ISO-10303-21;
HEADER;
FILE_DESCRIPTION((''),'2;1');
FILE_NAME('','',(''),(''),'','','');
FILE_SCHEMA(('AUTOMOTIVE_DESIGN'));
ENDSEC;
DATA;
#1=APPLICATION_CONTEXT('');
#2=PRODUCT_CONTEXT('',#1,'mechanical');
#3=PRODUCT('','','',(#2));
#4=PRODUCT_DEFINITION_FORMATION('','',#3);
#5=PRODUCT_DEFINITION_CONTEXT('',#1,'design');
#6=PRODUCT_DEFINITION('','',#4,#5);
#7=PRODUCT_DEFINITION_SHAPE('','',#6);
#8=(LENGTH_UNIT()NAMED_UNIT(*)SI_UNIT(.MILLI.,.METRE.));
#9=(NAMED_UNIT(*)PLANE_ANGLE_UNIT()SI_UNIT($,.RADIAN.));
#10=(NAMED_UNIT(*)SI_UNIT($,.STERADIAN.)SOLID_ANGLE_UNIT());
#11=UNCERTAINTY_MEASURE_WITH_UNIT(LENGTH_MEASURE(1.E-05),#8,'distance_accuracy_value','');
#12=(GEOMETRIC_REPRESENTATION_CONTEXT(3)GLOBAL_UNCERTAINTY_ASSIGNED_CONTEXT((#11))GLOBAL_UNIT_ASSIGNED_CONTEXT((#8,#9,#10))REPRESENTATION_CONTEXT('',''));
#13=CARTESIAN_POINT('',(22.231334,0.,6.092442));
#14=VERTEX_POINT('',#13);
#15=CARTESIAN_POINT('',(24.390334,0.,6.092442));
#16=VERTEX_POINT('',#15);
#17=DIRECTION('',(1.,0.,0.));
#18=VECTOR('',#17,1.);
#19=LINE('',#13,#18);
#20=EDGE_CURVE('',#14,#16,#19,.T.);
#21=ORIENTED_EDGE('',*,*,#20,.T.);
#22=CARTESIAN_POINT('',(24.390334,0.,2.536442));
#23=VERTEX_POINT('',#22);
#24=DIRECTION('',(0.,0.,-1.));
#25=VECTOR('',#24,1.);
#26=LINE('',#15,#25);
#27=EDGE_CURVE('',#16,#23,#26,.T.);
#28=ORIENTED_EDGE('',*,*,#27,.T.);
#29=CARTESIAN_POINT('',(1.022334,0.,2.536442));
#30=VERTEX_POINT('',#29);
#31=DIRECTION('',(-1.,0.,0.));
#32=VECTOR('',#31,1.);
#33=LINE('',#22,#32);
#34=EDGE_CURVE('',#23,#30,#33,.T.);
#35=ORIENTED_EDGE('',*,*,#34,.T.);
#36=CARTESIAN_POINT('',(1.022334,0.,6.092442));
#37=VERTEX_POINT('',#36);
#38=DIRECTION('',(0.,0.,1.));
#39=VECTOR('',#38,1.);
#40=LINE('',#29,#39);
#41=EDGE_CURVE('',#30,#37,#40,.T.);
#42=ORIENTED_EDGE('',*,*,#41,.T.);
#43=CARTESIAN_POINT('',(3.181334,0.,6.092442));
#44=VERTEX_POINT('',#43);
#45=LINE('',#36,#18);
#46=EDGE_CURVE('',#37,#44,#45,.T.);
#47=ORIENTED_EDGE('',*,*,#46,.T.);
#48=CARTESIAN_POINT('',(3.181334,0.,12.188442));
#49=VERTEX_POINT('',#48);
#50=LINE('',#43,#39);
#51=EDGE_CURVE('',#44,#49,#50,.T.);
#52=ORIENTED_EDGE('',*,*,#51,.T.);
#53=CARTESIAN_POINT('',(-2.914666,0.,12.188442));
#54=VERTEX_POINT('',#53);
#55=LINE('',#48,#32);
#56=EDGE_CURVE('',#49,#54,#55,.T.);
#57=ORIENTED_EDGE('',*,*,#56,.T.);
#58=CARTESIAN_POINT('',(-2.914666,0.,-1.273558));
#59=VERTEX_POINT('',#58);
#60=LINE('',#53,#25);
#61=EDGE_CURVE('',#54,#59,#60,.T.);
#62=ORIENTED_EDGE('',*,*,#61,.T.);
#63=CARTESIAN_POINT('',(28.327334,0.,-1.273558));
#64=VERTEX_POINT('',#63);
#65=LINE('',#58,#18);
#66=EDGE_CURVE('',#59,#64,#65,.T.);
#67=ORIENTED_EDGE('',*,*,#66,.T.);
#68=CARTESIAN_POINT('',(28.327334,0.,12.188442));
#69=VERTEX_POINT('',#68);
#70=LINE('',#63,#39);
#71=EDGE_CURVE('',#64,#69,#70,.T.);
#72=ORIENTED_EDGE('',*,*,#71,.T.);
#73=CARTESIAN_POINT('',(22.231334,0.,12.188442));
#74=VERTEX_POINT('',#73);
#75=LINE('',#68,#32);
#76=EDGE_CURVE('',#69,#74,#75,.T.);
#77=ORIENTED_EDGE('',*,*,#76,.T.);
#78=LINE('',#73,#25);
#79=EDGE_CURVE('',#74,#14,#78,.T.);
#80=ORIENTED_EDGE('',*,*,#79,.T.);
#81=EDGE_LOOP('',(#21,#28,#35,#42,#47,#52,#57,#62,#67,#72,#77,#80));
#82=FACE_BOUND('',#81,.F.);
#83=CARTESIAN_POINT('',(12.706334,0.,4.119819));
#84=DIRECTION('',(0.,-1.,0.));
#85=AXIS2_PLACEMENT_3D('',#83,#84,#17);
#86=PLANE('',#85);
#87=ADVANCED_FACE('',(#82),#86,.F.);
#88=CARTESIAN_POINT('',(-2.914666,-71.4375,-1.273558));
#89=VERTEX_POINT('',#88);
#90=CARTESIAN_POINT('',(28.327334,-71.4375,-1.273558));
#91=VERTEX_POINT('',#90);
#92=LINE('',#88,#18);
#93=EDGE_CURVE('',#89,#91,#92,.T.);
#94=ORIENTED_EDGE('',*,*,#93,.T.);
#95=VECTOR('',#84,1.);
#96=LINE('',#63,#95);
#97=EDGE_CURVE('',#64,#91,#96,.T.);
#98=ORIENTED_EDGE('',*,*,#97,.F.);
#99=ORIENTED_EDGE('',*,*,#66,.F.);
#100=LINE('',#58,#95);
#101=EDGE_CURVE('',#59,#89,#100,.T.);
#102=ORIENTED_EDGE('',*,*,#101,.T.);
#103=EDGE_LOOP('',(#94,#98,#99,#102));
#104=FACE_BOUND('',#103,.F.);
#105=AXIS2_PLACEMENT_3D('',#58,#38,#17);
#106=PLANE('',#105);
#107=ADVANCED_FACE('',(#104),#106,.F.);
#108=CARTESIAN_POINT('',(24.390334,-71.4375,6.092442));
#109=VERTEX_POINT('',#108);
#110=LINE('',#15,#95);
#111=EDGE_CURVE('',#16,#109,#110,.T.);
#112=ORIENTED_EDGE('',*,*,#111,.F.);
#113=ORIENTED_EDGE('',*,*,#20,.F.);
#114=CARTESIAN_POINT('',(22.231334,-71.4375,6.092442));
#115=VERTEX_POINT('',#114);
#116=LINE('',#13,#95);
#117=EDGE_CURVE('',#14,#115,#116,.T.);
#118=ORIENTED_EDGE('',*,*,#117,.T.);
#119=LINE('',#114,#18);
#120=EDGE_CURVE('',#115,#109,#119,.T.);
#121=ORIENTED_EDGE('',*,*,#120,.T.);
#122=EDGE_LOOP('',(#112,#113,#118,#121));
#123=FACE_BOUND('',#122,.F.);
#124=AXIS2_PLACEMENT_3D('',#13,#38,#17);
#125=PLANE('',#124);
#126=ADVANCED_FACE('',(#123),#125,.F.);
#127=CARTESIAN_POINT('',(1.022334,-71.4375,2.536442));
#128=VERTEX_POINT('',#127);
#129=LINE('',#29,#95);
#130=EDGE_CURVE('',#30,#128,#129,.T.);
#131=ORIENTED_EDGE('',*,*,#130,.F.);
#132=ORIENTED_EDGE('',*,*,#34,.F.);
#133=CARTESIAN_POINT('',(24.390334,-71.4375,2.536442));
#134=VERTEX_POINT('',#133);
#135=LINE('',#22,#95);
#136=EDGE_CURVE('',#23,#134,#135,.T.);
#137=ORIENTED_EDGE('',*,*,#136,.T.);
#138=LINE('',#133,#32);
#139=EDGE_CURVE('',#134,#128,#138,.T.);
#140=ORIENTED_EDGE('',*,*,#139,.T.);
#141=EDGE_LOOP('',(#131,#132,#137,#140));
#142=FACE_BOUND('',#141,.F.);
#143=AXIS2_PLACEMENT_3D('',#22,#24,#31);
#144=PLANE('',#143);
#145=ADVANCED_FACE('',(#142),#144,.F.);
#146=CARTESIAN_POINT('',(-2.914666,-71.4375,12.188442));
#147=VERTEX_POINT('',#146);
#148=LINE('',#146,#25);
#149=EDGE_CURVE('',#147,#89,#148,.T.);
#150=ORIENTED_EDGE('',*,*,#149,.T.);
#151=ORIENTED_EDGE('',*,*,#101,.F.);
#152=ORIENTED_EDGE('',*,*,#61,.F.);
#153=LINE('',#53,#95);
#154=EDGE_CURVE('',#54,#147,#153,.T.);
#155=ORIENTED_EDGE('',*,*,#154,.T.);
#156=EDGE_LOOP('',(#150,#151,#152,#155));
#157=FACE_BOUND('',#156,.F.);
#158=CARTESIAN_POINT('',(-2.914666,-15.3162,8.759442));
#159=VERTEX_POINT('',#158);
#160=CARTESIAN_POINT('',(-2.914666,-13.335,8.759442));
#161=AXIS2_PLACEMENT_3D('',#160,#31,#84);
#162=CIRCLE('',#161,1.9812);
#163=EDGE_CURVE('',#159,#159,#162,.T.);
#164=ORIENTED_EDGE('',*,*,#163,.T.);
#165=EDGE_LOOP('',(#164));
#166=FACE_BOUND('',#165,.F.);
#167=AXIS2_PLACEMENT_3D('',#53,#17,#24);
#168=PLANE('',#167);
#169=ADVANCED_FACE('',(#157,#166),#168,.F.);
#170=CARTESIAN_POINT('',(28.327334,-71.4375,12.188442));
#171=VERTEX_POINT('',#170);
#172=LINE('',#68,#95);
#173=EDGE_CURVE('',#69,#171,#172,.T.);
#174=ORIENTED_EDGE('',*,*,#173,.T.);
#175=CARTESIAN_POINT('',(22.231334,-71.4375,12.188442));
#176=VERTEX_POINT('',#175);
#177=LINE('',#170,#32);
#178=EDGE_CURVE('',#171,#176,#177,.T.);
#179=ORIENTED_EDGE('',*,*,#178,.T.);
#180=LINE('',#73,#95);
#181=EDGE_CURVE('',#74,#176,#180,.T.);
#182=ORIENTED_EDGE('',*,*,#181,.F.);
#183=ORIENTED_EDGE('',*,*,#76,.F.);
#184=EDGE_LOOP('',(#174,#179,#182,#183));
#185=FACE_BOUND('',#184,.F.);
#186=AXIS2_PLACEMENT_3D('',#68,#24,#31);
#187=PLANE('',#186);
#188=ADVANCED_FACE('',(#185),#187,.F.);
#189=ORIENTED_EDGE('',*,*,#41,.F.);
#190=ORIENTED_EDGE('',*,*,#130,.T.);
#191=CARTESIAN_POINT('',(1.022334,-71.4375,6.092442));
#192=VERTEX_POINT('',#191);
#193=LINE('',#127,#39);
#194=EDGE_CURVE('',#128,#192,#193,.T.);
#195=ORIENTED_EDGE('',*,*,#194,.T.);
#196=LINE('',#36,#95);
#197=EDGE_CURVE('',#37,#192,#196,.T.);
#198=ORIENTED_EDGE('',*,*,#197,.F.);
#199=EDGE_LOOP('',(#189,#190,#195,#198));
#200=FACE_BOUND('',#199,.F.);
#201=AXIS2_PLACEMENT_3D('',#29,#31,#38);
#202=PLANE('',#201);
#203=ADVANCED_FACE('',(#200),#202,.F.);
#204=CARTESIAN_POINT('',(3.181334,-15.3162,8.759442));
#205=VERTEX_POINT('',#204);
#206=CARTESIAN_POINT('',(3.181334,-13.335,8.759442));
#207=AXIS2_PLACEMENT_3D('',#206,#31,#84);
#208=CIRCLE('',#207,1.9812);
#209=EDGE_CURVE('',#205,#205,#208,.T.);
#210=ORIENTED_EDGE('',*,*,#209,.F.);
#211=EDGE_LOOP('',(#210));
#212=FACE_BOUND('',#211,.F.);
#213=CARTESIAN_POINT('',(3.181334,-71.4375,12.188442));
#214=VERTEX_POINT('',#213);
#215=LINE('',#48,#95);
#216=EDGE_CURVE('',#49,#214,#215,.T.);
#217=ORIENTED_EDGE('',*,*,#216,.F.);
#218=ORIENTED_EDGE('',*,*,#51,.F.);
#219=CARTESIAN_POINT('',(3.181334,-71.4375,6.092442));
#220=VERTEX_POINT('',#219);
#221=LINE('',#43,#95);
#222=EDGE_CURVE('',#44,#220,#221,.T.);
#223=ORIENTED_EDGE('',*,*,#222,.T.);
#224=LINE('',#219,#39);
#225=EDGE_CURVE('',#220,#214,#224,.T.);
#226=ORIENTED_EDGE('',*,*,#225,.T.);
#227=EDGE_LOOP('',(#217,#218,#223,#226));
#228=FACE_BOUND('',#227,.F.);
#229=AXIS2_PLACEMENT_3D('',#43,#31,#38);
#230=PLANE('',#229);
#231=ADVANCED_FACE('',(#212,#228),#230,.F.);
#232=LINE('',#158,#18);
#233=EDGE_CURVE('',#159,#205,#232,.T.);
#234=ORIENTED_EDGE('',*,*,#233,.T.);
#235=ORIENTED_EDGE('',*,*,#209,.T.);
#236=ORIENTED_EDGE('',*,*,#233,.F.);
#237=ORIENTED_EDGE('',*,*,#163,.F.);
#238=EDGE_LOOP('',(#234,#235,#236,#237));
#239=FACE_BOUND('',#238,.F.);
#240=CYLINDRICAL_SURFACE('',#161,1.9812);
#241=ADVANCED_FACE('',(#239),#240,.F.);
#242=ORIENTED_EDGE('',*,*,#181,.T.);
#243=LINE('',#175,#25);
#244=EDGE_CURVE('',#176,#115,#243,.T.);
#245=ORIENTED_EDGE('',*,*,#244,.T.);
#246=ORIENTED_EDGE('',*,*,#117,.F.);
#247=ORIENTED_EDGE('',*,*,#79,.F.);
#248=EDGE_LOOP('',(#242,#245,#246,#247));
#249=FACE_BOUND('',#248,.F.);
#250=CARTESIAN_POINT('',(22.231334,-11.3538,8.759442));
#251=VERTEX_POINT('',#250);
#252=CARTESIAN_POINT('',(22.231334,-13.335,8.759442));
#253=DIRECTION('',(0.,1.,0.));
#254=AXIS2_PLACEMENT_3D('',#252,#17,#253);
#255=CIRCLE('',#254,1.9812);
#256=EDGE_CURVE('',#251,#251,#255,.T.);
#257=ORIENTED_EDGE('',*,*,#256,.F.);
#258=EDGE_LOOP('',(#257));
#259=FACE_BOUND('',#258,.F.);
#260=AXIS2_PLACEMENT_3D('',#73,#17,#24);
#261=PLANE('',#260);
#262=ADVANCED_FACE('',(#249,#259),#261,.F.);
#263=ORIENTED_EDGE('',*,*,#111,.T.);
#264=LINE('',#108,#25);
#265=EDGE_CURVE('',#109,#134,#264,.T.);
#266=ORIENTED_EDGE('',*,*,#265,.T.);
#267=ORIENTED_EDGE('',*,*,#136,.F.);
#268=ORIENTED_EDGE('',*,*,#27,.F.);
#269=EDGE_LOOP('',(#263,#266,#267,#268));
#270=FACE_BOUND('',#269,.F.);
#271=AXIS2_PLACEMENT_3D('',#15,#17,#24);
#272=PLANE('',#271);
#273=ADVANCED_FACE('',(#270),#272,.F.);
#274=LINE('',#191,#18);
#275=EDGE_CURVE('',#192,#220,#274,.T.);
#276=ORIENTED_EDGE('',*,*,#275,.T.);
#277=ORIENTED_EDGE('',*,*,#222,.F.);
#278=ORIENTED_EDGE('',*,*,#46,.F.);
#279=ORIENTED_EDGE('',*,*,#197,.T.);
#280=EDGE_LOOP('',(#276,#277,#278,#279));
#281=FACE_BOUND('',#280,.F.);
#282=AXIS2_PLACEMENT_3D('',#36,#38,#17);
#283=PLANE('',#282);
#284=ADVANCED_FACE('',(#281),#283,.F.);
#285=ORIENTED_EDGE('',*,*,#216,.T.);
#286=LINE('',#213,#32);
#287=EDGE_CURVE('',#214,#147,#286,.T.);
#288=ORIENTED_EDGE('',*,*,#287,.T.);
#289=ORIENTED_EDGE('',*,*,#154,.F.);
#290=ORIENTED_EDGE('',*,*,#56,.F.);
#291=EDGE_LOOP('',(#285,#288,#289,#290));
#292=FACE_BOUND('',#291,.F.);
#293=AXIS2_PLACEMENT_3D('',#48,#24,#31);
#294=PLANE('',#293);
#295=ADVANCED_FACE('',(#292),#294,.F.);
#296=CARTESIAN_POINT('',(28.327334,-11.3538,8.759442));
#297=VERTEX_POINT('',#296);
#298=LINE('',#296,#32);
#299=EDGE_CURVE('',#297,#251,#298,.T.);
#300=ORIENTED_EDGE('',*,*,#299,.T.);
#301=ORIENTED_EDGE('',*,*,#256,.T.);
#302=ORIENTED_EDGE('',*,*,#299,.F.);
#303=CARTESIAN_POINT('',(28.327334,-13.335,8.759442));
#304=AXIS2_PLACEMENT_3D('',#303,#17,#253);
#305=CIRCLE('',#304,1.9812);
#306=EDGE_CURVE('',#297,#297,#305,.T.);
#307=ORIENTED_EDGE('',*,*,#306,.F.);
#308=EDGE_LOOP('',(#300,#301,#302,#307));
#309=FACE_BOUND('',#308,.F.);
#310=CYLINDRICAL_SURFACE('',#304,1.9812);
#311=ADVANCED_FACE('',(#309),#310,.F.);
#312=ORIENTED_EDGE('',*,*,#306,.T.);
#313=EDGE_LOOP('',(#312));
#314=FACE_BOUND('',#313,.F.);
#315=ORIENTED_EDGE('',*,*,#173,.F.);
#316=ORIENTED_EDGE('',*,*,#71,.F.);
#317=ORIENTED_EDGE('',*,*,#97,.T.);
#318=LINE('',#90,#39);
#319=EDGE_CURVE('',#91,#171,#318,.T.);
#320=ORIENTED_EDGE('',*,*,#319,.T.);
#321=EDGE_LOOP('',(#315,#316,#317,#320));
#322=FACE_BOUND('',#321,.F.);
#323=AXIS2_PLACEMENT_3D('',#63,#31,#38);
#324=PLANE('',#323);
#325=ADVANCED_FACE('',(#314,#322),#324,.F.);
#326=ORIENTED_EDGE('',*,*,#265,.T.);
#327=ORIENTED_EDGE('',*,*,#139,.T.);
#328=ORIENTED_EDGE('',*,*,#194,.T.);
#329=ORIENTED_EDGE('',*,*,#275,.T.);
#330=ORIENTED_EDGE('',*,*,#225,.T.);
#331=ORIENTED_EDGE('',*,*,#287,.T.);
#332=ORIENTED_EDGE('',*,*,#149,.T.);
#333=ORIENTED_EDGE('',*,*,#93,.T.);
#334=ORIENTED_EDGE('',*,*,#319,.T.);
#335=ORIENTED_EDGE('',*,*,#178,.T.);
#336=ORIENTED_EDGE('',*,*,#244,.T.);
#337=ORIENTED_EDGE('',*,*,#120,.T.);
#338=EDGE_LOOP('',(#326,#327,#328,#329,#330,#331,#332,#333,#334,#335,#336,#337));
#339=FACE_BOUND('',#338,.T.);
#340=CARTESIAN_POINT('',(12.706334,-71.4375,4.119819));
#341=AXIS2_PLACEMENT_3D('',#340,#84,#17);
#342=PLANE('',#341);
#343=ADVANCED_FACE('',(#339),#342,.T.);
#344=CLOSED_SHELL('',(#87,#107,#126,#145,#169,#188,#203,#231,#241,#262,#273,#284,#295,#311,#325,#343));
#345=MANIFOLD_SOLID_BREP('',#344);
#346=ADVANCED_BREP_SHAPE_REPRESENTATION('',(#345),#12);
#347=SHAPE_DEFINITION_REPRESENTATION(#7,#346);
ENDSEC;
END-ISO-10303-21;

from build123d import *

# Parameters (mm, degrees)
F1_DEPTH = 71.4375
F2_R     = 1.9812
F3_DEPTH = 6.096
F4_R     = 1.9812
F5_DEPTH = 6.096


with BuildPart() as f1:
    # F0 (on Front) → F1 (new body)
    with BuildSketch(Plane.XZ):
        Polygon((3.181334, 6.092442), (3.181334, 12.188442), (-2.914666, 12.188442), (-2.914666, -1.273558), (28.327334, -1.273558), (28.327334, 12.188442), (22.231334, 12.188442), (22.231334, 6.092442), (24.390334, 6.092442), (24.390334, 2.536442), (1.022334, 2.536442), (1.022334, 6.092442), align=None)
    extrude(amount=F1_DEPTH)

    # F2 (on face) → F3 (cut, through all)
    with BuildSketch(Plane.YZ.offset(28.327334)):
        with Locations((-13.335, 8.759442)):
            Circle(F2_R)
    extrude(amount=-F3_DEPTH, mode=Mode.SUBTRACT)

    # F4 (on face) → F5 (cut, through all)
    with BuildSketch(Plane(origin=(-2.914666, 0, 0), x_dir=(0, -1, 0), z_dir=(-1, 0, 0))):
        with Locations((13.335, 8.759442)):
            Circle(F4_R)
    extrude(amount=-F5_DEPTH, mode=Mode.SUBTRACT)


solid = f1.part
